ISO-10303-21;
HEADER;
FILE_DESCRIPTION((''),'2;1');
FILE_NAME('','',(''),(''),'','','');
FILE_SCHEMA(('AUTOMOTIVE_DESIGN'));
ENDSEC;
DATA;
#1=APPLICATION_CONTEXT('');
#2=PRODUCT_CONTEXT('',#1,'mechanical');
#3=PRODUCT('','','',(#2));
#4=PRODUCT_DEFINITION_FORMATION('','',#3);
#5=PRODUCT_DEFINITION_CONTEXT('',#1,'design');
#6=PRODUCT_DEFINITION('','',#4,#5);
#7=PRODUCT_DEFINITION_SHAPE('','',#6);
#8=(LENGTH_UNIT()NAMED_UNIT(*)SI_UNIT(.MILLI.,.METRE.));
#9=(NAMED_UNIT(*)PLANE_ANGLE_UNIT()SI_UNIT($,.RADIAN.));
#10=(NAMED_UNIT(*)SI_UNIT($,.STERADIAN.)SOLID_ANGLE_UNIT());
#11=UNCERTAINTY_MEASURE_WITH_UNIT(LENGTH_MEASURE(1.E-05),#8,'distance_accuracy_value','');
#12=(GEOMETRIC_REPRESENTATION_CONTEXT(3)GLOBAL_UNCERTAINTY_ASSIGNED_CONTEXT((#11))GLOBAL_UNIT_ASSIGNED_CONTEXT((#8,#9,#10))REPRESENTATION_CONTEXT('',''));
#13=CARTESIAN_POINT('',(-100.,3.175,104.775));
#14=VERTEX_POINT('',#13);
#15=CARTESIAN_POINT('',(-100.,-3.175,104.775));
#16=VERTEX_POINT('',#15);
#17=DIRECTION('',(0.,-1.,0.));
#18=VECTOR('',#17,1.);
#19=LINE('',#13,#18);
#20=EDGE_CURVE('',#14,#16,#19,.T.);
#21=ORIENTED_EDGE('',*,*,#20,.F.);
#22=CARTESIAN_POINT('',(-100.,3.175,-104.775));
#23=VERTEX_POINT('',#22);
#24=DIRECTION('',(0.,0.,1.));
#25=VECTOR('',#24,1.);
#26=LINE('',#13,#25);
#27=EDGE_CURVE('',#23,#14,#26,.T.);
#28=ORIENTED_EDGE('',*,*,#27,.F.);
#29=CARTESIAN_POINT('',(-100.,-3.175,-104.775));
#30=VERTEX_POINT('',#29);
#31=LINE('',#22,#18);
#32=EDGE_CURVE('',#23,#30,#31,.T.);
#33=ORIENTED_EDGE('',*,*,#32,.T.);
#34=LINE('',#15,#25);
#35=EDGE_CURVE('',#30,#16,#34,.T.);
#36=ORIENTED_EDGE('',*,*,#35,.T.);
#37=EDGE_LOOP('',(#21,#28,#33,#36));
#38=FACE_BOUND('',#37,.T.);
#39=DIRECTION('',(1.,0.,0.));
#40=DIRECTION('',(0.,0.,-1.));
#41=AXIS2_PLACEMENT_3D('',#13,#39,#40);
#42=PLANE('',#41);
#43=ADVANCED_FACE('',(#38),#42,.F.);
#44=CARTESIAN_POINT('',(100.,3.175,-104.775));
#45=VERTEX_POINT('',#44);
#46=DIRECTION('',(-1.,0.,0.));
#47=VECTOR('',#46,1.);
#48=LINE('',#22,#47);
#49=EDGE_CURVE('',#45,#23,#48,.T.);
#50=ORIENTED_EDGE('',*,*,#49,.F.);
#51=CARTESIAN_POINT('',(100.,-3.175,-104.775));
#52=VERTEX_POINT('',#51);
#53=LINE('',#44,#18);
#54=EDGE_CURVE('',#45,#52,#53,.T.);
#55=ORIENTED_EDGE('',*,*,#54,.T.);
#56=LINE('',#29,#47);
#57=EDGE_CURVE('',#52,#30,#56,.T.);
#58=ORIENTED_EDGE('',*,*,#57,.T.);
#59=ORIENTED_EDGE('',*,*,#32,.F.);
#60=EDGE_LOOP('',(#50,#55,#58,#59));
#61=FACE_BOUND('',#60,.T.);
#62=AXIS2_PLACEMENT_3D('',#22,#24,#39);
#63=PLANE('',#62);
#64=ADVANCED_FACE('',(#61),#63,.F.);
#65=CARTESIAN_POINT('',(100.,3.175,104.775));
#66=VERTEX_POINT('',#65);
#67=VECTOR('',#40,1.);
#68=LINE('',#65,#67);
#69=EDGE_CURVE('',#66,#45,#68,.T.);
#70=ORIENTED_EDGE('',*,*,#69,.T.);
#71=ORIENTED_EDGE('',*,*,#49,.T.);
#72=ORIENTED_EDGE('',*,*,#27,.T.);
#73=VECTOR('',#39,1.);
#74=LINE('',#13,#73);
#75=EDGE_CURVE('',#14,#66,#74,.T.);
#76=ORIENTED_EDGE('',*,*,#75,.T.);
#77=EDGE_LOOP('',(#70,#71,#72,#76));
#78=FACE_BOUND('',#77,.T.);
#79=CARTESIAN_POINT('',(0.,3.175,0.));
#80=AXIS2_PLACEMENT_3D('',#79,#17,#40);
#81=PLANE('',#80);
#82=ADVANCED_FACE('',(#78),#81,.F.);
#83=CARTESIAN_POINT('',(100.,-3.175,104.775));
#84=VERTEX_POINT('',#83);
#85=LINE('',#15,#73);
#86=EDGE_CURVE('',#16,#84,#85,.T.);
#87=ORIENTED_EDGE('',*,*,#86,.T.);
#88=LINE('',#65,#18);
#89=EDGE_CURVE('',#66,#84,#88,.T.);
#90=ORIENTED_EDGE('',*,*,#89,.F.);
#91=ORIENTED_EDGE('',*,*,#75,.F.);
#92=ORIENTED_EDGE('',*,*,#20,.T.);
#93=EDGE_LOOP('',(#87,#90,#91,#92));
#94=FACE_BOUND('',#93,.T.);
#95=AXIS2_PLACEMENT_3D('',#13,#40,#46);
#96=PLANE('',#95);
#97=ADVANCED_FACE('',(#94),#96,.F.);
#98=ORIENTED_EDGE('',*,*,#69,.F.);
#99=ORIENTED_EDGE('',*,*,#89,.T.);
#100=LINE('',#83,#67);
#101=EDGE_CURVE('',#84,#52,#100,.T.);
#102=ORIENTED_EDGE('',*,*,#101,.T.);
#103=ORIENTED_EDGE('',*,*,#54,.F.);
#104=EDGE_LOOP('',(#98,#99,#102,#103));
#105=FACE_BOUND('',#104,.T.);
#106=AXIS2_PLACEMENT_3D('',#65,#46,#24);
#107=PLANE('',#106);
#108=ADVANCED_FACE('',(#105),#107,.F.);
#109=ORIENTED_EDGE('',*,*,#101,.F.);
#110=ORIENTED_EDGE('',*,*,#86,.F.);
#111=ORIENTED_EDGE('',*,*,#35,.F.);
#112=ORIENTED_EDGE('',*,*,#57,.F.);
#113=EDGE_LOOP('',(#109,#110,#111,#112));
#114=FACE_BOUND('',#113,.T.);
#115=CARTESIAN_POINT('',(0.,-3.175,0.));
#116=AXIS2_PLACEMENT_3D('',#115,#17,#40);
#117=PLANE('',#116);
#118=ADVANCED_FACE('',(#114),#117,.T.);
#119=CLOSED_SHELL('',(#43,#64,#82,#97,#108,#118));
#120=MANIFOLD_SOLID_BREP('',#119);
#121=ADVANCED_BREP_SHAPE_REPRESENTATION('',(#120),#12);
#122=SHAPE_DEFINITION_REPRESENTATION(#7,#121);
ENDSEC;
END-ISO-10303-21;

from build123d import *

# Parameters (mm, degrees)
SKETCH1_W           = 200
SKETCH1_H           = 209.55
BOSS_EXTRUDE1_DEPTH = 3.175


with BuildPart() as part:
    # Sketch1 → Boss-Extrude1 (new, symmetric)
    with BuildSketch(Plane(origin=(0, 0, 0), x_dir=(1, 0, 0), z_dir=(0, 1, 0))):
        Rectangle(SKETCH1_W, SKETCH1_H)
    extrude(amount=BOSS_EXTRUDE1_DEPTH, both=True)


solid = part.part
